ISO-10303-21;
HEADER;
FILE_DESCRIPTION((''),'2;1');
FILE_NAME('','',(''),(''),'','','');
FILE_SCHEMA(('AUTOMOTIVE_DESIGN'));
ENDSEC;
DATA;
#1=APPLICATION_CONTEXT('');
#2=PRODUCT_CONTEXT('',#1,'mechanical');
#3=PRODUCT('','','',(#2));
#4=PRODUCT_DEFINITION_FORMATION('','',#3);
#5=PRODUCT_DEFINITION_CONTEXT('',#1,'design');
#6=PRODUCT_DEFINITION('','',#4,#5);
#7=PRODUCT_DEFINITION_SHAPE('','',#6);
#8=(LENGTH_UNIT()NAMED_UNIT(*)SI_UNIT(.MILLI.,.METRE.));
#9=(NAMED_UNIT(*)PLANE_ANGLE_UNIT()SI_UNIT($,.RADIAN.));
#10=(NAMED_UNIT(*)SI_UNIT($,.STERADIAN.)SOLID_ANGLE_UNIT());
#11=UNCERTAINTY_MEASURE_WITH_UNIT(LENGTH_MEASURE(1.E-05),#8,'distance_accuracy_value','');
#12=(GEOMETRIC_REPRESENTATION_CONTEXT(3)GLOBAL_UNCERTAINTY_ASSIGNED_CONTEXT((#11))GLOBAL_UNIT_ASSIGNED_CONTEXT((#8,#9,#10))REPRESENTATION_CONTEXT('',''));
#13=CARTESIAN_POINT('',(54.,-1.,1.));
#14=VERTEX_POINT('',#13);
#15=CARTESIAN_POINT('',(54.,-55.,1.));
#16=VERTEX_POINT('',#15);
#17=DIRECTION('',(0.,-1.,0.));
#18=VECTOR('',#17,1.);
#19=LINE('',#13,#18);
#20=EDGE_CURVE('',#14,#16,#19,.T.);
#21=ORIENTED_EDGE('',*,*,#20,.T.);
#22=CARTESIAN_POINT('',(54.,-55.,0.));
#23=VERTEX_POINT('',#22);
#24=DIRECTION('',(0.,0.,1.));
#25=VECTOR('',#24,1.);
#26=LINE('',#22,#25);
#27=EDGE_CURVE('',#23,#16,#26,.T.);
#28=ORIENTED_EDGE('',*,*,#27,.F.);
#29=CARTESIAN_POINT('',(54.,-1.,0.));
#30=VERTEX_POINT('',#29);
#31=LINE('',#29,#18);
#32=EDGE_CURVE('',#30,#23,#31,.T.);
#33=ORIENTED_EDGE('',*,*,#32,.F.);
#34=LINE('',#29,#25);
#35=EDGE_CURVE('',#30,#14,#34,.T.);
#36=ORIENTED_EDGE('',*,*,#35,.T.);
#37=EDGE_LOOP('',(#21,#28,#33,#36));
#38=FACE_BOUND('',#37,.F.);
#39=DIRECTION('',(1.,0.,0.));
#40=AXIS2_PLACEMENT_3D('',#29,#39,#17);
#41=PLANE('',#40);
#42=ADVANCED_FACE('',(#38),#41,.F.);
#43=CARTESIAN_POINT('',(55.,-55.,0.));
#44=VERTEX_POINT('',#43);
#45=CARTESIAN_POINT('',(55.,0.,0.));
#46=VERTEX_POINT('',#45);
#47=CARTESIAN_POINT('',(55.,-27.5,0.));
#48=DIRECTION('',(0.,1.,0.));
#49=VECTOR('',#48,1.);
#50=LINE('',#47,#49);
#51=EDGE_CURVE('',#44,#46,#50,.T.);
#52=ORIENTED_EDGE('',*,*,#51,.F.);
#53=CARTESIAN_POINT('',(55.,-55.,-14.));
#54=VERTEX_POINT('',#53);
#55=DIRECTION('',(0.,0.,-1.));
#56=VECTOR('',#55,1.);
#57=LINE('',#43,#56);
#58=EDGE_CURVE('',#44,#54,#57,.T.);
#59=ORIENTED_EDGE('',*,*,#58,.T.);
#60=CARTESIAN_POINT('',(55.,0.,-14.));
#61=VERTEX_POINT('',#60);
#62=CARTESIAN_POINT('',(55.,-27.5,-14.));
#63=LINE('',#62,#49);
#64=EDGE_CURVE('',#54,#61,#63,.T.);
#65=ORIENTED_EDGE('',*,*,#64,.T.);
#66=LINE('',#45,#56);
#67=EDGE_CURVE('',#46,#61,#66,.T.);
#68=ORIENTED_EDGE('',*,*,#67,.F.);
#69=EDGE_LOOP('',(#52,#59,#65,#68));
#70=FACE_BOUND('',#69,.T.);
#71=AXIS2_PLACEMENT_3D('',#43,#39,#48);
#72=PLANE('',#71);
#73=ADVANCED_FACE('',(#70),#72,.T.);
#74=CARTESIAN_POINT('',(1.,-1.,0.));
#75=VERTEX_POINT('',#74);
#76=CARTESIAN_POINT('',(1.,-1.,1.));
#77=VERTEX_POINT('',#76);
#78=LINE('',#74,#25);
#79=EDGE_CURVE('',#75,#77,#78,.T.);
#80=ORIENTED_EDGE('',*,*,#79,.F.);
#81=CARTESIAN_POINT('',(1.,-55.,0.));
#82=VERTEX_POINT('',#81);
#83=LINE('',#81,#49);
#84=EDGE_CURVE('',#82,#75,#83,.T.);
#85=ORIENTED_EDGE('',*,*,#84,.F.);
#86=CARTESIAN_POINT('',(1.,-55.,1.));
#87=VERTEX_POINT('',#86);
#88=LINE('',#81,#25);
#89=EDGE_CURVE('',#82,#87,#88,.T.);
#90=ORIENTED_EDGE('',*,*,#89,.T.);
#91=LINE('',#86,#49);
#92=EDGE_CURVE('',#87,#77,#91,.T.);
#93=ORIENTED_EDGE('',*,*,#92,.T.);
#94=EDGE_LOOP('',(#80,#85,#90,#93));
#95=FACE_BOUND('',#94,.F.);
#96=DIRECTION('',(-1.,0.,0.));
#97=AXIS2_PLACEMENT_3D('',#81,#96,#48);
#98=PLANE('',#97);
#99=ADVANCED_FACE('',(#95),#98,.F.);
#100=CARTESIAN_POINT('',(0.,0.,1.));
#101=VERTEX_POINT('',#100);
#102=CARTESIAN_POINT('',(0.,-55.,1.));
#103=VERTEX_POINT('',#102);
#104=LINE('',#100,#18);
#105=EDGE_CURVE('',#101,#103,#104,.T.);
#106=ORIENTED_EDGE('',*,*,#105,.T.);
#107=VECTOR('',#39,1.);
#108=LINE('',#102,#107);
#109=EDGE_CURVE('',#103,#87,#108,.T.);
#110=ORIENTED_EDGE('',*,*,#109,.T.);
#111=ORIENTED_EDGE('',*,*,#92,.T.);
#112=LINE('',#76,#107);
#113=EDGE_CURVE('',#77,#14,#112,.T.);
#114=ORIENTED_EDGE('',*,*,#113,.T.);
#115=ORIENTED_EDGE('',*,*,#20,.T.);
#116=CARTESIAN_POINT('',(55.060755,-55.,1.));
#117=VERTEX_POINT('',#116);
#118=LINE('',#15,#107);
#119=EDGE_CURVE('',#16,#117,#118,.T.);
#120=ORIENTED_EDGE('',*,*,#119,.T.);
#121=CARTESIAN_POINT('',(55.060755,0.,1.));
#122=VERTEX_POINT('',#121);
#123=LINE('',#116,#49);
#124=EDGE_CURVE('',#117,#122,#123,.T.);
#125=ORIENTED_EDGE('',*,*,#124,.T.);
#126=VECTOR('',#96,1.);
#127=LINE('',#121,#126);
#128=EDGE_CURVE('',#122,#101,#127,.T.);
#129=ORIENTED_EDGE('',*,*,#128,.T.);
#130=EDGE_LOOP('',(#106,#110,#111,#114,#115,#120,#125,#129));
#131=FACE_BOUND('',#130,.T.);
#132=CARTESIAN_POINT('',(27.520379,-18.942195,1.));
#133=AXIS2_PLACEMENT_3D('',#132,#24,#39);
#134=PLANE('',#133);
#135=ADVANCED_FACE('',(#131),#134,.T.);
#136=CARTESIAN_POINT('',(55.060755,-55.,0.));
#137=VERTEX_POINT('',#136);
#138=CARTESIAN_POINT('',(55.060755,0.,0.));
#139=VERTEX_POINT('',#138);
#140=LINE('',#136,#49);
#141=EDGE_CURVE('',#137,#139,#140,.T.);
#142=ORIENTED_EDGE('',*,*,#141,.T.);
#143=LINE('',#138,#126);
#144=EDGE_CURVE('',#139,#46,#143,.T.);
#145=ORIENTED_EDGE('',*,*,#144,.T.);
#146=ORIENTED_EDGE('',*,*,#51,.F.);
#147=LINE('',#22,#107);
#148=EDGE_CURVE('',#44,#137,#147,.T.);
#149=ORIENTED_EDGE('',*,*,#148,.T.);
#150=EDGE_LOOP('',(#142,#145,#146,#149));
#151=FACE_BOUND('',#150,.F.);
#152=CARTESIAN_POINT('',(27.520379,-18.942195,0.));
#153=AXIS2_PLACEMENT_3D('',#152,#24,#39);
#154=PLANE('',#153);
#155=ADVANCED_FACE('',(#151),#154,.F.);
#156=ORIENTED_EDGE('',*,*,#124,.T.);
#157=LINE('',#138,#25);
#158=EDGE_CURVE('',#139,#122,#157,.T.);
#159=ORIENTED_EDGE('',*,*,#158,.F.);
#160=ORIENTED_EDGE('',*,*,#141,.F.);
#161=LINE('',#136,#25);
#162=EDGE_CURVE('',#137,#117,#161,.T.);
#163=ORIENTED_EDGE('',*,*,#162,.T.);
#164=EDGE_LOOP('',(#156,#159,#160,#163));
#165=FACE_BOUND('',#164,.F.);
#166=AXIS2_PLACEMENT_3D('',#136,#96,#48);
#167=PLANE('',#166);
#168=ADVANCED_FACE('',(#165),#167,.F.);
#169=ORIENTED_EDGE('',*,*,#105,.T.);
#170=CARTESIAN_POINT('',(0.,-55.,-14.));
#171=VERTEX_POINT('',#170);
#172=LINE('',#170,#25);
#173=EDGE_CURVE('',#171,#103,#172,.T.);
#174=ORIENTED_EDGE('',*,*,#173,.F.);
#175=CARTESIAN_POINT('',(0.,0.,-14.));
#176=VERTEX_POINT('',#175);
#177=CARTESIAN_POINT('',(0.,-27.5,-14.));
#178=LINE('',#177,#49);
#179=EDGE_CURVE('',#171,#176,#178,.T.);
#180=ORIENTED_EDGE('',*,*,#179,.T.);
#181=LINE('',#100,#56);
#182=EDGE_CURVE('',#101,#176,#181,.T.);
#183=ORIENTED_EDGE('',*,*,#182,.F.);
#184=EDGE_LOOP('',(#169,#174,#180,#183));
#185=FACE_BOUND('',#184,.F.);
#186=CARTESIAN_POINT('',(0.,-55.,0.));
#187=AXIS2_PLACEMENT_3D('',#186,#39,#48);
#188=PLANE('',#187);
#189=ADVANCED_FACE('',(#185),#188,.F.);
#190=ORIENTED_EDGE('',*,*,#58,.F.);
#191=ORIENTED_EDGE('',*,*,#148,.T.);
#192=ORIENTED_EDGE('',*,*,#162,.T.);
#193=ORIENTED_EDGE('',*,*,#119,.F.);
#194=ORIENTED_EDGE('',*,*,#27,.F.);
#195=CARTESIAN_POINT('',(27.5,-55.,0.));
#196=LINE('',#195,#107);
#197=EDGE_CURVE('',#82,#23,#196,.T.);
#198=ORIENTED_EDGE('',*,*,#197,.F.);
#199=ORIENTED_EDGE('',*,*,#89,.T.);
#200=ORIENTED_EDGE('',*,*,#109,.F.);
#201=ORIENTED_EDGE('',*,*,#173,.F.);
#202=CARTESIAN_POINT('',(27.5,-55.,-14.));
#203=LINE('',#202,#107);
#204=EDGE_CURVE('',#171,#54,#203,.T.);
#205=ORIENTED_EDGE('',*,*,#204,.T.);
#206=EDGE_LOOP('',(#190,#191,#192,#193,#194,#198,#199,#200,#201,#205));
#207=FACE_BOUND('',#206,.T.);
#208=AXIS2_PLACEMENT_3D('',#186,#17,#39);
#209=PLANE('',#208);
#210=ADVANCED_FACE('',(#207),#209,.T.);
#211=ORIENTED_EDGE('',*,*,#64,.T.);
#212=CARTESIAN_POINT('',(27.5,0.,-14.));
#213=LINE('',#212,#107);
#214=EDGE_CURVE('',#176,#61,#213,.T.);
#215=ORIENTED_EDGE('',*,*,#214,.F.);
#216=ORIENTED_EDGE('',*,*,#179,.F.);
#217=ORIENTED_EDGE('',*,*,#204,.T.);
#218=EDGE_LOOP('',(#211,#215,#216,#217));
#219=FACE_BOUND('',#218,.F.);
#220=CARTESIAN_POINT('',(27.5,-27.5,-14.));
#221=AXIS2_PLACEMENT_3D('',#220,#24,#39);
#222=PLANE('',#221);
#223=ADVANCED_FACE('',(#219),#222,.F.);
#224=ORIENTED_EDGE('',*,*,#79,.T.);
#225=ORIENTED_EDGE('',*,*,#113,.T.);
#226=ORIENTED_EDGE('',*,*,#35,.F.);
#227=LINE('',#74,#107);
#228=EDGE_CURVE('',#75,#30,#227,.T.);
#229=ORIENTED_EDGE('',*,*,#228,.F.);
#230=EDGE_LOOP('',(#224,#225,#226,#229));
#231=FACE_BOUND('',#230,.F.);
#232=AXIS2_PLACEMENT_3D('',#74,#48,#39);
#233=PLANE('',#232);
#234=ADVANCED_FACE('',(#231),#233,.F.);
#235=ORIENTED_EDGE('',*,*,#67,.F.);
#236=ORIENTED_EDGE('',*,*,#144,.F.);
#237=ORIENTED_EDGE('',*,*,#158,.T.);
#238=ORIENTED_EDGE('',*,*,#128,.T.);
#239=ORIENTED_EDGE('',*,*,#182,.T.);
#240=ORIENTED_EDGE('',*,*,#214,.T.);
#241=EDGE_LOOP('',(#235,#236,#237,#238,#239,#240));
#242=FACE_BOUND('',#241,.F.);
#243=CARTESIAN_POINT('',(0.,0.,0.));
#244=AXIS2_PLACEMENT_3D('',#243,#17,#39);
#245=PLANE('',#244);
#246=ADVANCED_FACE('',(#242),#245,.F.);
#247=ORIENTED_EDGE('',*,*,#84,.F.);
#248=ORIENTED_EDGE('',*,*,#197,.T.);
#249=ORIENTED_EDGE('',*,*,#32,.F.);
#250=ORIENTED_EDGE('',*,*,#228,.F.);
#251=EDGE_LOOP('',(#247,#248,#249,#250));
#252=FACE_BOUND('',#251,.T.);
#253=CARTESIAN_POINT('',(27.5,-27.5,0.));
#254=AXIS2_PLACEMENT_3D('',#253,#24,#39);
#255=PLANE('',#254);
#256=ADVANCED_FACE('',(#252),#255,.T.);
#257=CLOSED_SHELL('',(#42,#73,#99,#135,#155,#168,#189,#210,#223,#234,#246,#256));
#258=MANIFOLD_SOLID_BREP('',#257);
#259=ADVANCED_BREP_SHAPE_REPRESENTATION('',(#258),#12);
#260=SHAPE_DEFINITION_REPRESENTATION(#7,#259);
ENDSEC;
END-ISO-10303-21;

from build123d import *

# Parameters (mm, degrees)
F2_DEPTH = 1
F0_W     = 55
F0_H     = 55
F3_DEPTH = 14


with BuildPart() as f2:
    # F1 (on face) → F2 (new body)
    with BuildSketch(Plane.XY):
        Polygon((1, -1), (54, -1), (54, -55), (55.060755, -55), (55.060755, 0), (0, 0), (0, -55), (1, -55), align=None)
    extrude(amount=F2_DEPTH)

    # F0 (on Top) → F3 (join)
    with BuildSketch(Plane.XY):
        with Locations((27.5, -27.5)):
            Rectangle(F0_W, F0_H)
    extrude(amount=-F3_DEPTH)


solid = f2.part
